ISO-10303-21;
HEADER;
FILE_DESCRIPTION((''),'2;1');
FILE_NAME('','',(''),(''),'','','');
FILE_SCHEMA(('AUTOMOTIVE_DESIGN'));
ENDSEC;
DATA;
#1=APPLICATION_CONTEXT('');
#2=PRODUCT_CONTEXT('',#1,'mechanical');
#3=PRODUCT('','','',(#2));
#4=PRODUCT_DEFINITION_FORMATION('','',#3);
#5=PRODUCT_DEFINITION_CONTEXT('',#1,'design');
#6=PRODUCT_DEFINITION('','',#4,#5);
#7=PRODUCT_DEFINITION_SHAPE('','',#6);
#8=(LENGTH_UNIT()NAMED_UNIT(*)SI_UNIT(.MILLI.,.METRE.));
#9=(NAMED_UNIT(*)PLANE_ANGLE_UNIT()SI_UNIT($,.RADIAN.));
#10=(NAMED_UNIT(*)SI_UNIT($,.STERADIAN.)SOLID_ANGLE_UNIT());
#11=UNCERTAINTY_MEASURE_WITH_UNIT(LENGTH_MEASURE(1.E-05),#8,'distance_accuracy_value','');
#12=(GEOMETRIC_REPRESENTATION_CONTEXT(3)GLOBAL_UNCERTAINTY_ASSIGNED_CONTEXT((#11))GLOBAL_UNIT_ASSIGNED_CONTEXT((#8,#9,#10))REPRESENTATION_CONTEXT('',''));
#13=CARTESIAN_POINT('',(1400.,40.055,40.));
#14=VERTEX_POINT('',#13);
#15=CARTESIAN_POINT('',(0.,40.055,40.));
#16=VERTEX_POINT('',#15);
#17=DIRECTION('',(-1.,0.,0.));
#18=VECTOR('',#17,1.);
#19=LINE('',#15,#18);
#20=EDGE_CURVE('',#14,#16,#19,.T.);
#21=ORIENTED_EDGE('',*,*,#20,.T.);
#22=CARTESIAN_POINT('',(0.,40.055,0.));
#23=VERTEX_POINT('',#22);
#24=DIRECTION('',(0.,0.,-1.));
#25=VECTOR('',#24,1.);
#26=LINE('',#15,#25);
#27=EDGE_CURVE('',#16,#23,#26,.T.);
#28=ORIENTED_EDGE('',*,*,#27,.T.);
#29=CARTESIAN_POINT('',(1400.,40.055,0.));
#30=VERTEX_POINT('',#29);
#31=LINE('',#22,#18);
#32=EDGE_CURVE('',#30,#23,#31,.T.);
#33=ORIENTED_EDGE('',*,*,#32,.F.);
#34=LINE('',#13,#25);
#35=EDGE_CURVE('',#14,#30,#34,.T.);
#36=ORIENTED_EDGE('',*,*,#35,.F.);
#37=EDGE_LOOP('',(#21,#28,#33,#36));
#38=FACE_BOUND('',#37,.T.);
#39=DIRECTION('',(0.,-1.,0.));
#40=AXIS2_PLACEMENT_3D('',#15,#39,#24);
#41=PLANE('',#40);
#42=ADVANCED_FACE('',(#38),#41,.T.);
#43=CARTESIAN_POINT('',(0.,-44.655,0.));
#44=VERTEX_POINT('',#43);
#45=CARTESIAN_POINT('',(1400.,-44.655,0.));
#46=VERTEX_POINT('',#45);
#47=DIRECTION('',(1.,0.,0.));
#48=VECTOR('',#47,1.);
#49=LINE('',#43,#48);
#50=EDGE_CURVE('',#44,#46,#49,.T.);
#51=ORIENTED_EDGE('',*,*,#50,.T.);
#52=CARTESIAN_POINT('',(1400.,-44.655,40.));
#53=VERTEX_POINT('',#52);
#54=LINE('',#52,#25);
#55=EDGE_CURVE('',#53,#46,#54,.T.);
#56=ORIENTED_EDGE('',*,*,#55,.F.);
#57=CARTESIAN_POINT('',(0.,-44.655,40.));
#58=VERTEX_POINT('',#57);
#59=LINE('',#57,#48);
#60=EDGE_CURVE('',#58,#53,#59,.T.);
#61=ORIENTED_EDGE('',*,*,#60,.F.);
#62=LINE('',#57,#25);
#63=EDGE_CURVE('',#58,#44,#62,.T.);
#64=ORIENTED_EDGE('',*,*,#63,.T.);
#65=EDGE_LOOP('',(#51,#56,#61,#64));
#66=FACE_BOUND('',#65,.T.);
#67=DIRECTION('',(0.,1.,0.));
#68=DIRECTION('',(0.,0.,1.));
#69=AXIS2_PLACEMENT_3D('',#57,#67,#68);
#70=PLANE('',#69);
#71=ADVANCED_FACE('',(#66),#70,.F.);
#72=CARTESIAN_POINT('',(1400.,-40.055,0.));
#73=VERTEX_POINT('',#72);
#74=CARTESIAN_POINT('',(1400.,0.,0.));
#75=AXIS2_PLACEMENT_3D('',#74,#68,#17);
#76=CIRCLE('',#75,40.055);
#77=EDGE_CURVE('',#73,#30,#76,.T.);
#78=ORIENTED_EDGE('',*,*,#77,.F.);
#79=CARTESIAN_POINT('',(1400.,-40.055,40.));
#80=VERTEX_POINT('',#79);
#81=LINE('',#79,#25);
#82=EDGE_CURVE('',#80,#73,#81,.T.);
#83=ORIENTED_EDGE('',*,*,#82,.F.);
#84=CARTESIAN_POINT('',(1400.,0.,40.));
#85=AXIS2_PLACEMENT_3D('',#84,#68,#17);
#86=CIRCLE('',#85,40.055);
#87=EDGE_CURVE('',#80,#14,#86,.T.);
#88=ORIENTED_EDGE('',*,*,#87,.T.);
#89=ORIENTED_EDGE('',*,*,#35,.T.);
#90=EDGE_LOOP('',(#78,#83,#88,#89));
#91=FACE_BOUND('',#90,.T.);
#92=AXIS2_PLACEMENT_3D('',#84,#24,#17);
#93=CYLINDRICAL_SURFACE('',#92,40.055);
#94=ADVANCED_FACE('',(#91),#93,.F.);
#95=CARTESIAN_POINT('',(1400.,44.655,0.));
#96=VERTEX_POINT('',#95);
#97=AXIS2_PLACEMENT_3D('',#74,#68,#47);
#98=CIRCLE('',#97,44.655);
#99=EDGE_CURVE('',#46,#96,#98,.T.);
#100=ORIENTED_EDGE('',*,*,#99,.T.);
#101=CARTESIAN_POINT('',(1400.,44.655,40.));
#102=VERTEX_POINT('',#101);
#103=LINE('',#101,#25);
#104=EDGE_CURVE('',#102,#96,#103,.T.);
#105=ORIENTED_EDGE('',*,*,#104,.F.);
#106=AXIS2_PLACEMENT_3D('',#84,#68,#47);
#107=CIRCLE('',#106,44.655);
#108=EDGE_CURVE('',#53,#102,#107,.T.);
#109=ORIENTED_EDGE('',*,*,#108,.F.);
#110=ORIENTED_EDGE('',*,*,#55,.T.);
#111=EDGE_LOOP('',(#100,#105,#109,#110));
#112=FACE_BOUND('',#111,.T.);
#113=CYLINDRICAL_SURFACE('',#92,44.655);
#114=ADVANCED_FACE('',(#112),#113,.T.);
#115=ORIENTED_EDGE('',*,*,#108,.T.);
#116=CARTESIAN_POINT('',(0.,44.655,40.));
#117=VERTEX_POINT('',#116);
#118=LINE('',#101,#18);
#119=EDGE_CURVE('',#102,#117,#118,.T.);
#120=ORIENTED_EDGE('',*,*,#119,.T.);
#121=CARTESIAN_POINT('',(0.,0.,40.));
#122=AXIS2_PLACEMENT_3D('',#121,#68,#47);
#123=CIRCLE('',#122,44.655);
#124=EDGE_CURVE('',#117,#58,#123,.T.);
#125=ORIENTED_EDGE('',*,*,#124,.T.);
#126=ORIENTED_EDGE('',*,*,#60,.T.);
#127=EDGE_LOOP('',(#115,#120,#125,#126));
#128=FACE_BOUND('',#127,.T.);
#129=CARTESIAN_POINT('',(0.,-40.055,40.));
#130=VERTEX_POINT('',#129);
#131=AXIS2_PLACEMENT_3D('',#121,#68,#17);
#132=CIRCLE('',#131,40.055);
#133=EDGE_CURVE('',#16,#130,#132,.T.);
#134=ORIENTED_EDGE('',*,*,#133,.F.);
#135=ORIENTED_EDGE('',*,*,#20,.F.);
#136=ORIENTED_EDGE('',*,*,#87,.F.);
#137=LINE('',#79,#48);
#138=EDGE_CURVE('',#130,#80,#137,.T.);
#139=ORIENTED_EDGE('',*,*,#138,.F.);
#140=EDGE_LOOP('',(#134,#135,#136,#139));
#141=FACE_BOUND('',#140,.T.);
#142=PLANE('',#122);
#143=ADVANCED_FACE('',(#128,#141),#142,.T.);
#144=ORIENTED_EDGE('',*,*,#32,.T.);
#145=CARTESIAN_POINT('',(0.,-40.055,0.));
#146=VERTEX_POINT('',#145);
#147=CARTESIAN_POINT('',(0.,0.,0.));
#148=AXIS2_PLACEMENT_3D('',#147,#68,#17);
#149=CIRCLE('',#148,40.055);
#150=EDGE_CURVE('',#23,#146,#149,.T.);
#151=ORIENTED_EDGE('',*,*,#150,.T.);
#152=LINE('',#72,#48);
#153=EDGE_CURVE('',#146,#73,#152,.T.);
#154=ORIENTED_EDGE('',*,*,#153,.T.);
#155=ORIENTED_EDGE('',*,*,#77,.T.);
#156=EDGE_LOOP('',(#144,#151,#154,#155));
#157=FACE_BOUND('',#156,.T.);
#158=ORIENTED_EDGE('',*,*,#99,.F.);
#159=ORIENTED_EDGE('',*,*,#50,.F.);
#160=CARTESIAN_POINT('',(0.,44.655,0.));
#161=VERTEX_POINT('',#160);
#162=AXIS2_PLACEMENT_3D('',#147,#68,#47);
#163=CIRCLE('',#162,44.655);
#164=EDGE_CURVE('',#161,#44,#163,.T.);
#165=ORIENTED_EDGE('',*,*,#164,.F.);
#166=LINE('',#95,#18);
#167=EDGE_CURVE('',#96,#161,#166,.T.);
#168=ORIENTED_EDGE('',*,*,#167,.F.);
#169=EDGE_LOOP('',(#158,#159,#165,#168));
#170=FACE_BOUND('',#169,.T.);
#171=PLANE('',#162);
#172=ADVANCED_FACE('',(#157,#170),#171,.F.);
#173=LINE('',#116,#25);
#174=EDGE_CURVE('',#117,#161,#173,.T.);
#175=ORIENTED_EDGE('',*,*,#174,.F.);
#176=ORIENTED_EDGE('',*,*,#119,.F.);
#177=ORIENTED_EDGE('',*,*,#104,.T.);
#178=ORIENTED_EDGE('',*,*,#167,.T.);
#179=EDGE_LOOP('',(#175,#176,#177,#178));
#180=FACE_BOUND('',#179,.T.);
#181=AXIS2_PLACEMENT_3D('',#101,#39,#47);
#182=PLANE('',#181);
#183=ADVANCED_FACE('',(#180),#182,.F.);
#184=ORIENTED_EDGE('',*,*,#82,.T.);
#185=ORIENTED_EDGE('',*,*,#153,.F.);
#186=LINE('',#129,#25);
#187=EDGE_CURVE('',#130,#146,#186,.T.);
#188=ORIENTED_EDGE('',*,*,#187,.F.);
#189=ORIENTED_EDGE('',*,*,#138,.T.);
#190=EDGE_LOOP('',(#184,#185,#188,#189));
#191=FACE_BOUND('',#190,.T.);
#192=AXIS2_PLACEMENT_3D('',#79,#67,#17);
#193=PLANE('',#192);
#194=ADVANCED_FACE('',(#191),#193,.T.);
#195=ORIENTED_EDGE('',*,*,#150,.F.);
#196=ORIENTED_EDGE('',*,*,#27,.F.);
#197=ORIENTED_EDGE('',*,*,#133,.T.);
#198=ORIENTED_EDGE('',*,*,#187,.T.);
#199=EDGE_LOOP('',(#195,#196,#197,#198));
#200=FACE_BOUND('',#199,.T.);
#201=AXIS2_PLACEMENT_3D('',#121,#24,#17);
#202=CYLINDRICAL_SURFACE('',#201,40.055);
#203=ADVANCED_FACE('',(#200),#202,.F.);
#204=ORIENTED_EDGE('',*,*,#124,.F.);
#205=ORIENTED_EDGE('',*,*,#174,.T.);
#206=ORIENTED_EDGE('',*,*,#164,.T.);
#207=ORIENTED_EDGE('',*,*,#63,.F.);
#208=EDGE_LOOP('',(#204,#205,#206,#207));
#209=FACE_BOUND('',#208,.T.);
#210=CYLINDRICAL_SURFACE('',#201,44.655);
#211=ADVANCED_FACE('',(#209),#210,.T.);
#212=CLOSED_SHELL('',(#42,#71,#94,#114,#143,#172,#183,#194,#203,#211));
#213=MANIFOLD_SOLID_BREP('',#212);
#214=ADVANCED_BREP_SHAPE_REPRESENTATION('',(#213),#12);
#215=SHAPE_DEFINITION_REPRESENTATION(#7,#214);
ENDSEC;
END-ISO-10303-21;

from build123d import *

# Parameters (mm, degrees)
BOSS_EXTRUDE1_DEPTH = 40


with BuildPart() as part:
    # Sketch1 → Boss-Extrude1 (new body)
    with BuildSketch(Plane.XY):
        with BuildLine():
            Line((0, -44.655), (1400, -44.655))
            ThreePointArc((1400, -44.655), (1444.655, 0), (1400, 44.655))
            Line((1400, 44.655), (0, 44.655))
            ThreePointArc((0, 44.655), (-44.655, 0), (0, -44.655))
        make_face()
        with BuildLine():
            Line((1400, -40.055), (0, -40.055))
            ThreePointArc((0, -40.055), (-40.055, 0), (0, 40.055))
            Line((0, 40.055), (1400, 40.055))
            ThreePointArc((1400, 40.055), (1440.055, 0), (1400, -40.055))
        make_face(mode=Mode.SUBTRACT)
    extrude(amount=BOSS_EXTRUDE1_DEPTH)


solid = part.part
